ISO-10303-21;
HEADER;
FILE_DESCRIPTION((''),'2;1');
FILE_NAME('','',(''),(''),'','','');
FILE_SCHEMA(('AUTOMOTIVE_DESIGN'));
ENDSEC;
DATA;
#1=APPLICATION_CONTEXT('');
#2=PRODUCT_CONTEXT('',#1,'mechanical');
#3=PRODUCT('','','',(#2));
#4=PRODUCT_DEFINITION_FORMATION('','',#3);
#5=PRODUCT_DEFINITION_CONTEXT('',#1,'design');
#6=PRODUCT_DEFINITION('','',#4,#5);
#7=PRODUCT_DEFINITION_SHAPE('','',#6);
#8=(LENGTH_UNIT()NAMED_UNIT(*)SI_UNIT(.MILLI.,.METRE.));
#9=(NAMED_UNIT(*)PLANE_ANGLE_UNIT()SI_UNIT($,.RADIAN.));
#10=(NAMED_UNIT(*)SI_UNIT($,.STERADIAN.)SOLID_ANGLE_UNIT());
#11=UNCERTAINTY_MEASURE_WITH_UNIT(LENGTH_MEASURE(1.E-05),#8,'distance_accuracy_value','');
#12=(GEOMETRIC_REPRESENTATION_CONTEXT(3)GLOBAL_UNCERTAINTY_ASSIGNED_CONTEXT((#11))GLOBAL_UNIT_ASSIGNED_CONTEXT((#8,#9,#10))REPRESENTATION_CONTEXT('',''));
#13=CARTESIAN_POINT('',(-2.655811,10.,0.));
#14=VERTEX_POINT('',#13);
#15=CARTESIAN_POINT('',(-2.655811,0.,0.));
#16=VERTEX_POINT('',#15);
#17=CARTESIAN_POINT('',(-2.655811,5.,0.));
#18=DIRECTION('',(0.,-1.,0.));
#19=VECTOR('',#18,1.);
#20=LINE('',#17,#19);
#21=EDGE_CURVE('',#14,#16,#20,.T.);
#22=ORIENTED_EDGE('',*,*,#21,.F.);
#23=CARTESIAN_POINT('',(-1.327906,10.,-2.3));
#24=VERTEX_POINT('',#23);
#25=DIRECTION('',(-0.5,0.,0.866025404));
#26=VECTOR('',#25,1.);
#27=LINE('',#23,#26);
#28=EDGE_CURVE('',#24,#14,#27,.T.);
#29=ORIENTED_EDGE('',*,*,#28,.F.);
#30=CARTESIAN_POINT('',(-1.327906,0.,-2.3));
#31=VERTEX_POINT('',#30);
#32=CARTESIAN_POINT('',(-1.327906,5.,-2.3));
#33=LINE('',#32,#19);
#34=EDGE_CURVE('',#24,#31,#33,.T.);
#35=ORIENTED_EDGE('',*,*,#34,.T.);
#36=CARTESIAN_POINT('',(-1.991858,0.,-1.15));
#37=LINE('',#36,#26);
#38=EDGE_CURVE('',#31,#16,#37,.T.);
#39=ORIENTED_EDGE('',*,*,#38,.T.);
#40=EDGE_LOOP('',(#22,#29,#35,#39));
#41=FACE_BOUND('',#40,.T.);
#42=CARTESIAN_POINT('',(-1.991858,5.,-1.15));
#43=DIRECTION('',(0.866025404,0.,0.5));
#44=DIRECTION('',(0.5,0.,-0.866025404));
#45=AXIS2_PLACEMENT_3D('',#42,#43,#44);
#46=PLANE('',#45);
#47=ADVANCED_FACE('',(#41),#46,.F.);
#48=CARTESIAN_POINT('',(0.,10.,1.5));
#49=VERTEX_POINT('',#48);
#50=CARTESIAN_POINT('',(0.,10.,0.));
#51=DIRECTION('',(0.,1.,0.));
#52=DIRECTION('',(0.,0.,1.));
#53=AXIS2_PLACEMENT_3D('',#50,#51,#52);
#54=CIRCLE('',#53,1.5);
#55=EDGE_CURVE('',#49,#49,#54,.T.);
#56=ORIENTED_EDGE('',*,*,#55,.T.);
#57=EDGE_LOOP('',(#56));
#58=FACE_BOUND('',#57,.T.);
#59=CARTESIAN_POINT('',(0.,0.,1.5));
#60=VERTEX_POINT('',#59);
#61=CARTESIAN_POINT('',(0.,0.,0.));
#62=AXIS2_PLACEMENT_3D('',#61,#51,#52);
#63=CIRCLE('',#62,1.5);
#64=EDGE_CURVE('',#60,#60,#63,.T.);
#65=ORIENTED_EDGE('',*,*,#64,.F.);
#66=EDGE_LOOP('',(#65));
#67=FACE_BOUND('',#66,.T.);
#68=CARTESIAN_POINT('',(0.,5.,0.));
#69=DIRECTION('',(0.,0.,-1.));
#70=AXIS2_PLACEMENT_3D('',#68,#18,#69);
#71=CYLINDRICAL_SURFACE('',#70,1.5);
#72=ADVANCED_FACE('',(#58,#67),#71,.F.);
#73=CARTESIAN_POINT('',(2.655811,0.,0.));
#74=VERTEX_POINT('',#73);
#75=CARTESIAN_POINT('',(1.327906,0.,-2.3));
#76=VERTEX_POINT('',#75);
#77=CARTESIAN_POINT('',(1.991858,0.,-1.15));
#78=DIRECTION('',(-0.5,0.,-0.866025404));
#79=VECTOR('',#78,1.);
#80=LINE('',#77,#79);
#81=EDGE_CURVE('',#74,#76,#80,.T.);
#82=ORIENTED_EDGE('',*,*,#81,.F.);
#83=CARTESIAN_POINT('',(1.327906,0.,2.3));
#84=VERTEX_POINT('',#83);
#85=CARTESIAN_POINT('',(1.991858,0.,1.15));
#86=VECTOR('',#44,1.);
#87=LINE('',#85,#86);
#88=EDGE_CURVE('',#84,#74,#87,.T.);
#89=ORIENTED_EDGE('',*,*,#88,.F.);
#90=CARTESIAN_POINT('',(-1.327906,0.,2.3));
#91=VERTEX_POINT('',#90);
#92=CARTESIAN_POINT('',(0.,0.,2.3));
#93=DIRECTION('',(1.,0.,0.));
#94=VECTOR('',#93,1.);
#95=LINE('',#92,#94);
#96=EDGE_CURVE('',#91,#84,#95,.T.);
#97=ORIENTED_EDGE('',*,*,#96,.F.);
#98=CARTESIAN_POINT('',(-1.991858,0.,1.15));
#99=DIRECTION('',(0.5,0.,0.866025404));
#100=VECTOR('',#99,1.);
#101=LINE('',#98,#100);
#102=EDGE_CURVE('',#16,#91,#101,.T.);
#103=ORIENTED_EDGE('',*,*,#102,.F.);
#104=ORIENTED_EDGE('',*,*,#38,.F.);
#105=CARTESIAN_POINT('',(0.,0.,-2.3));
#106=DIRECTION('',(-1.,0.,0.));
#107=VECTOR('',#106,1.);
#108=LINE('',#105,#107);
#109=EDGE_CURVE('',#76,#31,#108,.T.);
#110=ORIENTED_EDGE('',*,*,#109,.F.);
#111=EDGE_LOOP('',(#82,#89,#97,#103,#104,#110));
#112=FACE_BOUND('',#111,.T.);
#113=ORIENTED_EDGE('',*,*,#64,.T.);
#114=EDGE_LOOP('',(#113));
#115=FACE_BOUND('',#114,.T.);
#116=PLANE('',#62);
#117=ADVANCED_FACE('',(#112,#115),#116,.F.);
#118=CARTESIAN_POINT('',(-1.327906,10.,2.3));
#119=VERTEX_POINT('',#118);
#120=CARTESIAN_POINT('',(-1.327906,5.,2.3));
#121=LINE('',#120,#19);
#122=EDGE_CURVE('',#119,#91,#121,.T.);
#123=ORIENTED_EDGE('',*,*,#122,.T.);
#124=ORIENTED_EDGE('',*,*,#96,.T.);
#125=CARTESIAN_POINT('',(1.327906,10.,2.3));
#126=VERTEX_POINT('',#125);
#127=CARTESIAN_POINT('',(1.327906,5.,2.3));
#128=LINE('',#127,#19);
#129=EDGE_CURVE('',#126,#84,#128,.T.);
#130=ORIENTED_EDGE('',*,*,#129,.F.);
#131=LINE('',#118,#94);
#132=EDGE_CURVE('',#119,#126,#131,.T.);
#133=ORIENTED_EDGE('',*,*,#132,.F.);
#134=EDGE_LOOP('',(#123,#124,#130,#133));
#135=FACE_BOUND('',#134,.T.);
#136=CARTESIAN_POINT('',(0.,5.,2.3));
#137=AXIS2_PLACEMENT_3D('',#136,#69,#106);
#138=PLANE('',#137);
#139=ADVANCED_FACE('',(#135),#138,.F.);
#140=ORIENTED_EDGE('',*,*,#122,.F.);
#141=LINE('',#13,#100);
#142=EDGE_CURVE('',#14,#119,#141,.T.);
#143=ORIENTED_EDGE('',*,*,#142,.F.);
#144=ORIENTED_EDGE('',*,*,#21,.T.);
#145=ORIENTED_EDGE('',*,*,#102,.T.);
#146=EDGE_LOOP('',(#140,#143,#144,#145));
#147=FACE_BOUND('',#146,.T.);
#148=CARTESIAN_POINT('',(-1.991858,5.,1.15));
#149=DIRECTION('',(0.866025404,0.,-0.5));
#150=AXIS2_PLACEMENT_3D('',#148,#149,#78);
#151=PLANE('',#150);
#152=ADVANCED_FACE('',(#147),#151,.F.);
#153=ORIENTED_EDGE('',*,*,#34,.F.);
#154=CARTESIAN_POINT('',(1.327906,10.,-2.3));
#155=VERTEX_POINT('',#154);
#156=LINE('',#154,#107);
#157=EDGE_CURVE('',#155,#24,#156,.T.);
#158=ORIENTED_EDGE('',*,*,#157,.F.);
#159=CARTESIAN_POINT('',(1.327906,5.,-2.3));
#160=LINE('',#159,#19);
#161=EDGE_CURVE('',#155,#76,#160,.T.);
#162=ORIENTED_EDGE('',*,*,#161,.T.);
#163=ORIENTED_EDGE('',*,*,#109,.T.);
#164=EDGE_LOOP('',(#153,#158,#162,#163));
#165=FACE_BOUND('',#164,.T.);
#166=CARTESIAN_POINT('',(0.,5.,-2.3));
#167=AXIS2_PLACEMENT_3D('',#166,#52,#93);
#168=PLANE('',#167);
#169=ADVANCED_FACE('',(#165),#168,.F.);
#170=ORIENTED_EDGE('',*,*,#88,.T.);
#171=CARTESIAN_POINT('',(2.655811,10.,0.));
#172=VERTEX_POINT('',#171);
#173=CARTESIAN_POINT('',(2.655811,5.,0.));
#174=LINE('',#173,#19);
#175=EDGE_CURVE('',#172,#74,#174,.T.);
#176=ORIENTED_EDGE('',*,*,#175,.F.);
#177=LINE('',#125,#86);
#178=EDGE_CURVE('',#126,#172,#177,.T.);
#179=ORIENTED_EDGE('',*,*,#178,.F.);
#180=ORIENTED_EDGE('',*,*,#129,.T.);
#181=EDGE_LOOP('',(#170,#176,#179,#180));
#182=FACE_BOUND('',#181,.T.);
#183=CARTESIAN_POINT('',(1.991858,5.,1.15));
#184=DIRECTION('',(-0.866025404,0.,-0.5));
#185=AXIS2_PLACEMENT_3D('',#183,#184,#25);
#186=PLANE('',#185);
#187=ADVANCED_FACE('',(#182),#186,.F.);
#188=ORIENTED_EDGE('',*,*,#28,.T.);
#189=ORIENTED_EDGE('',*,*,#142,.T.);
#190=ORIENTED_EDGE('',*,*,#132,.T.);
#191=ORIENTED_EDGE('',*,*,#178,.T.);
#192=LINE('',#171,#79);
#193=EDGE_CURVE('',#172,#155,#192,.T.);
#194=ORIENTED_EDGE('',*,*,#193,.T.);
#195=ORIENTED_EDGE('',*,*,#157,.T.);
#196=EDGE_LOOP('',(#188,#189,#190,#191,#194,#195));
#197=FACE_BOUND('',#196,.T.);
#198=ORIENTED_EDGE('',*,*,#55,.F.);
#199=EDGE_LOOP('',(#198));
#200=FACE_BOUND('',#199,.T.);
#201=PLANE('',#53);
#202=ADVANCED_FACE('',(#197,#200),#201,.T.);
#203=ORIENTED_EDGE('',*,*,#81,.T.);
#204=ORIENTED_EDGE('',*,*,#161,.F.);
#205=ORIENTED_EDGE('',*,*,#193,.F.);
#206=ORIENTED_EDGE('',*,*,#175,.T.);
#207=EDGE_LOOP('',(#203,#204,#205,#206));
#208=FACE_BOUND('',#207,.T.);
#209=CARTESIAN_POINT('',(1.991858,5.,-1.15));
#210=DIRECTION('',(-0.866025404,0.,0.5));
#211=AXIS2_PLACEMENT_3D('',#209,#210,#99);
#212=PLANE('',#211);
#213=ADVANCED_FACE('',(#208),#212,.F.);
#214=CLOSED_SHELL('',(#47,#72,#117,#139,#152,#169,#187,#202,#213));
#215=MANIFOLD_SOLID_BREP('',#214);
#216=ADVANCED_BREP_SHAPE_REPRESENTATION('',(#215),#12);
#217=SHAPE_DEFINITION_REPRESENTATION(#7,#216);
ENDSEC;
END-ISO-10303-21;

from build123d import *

# Parameters (mm, degrees)
SKETCH_1_R          = 1.5
EXTRUDE_2_DEPTH     = 5
SKETCH1_R           = 1.5
BOSS_EXTRUDE1_DEPTH = 5


with BuildPart() as part:
    # 草图1 → 凸台-拉伸2 (new body)
    with BuildSketch(Plane(origin=(0, 0, 0), x_dir=(1, 0, 0), z_dir=(0, 1, 0))):
        Polygon((-1.327905619, 2.3), (-2.655811238, 0), (-1.327905619, -2.3), (1.327905619, -2.3), (2.655811238, 0), (1.327905619, 2.3), align=None)
        Circle(SKETCH_1_R, mode=Mode.SUBTRACT)
    extrude(amount=EXTRUDE_2_DEPTH)

    # Sketch1 → Boss-Extrude1 (add)
    with BuildSketch(Plane(origin=(0, 5, 0), x_dir=(1, 0, 0), z_dir=(0, 1, 0))):
        Polygon((1.327905619, 2.3), (-1.327905619, 2.3), (-2.655811238, 0), (-1.327905619, -2.3), (1.327905619, -2.3), (2.655811238, 0), align=None)
        Circle(SKETCH1_R, mode=Mode.SUBTRACT)
    extrude(amount=BOSS_EXTRUDE1_DEPTH)


solid = part.part
